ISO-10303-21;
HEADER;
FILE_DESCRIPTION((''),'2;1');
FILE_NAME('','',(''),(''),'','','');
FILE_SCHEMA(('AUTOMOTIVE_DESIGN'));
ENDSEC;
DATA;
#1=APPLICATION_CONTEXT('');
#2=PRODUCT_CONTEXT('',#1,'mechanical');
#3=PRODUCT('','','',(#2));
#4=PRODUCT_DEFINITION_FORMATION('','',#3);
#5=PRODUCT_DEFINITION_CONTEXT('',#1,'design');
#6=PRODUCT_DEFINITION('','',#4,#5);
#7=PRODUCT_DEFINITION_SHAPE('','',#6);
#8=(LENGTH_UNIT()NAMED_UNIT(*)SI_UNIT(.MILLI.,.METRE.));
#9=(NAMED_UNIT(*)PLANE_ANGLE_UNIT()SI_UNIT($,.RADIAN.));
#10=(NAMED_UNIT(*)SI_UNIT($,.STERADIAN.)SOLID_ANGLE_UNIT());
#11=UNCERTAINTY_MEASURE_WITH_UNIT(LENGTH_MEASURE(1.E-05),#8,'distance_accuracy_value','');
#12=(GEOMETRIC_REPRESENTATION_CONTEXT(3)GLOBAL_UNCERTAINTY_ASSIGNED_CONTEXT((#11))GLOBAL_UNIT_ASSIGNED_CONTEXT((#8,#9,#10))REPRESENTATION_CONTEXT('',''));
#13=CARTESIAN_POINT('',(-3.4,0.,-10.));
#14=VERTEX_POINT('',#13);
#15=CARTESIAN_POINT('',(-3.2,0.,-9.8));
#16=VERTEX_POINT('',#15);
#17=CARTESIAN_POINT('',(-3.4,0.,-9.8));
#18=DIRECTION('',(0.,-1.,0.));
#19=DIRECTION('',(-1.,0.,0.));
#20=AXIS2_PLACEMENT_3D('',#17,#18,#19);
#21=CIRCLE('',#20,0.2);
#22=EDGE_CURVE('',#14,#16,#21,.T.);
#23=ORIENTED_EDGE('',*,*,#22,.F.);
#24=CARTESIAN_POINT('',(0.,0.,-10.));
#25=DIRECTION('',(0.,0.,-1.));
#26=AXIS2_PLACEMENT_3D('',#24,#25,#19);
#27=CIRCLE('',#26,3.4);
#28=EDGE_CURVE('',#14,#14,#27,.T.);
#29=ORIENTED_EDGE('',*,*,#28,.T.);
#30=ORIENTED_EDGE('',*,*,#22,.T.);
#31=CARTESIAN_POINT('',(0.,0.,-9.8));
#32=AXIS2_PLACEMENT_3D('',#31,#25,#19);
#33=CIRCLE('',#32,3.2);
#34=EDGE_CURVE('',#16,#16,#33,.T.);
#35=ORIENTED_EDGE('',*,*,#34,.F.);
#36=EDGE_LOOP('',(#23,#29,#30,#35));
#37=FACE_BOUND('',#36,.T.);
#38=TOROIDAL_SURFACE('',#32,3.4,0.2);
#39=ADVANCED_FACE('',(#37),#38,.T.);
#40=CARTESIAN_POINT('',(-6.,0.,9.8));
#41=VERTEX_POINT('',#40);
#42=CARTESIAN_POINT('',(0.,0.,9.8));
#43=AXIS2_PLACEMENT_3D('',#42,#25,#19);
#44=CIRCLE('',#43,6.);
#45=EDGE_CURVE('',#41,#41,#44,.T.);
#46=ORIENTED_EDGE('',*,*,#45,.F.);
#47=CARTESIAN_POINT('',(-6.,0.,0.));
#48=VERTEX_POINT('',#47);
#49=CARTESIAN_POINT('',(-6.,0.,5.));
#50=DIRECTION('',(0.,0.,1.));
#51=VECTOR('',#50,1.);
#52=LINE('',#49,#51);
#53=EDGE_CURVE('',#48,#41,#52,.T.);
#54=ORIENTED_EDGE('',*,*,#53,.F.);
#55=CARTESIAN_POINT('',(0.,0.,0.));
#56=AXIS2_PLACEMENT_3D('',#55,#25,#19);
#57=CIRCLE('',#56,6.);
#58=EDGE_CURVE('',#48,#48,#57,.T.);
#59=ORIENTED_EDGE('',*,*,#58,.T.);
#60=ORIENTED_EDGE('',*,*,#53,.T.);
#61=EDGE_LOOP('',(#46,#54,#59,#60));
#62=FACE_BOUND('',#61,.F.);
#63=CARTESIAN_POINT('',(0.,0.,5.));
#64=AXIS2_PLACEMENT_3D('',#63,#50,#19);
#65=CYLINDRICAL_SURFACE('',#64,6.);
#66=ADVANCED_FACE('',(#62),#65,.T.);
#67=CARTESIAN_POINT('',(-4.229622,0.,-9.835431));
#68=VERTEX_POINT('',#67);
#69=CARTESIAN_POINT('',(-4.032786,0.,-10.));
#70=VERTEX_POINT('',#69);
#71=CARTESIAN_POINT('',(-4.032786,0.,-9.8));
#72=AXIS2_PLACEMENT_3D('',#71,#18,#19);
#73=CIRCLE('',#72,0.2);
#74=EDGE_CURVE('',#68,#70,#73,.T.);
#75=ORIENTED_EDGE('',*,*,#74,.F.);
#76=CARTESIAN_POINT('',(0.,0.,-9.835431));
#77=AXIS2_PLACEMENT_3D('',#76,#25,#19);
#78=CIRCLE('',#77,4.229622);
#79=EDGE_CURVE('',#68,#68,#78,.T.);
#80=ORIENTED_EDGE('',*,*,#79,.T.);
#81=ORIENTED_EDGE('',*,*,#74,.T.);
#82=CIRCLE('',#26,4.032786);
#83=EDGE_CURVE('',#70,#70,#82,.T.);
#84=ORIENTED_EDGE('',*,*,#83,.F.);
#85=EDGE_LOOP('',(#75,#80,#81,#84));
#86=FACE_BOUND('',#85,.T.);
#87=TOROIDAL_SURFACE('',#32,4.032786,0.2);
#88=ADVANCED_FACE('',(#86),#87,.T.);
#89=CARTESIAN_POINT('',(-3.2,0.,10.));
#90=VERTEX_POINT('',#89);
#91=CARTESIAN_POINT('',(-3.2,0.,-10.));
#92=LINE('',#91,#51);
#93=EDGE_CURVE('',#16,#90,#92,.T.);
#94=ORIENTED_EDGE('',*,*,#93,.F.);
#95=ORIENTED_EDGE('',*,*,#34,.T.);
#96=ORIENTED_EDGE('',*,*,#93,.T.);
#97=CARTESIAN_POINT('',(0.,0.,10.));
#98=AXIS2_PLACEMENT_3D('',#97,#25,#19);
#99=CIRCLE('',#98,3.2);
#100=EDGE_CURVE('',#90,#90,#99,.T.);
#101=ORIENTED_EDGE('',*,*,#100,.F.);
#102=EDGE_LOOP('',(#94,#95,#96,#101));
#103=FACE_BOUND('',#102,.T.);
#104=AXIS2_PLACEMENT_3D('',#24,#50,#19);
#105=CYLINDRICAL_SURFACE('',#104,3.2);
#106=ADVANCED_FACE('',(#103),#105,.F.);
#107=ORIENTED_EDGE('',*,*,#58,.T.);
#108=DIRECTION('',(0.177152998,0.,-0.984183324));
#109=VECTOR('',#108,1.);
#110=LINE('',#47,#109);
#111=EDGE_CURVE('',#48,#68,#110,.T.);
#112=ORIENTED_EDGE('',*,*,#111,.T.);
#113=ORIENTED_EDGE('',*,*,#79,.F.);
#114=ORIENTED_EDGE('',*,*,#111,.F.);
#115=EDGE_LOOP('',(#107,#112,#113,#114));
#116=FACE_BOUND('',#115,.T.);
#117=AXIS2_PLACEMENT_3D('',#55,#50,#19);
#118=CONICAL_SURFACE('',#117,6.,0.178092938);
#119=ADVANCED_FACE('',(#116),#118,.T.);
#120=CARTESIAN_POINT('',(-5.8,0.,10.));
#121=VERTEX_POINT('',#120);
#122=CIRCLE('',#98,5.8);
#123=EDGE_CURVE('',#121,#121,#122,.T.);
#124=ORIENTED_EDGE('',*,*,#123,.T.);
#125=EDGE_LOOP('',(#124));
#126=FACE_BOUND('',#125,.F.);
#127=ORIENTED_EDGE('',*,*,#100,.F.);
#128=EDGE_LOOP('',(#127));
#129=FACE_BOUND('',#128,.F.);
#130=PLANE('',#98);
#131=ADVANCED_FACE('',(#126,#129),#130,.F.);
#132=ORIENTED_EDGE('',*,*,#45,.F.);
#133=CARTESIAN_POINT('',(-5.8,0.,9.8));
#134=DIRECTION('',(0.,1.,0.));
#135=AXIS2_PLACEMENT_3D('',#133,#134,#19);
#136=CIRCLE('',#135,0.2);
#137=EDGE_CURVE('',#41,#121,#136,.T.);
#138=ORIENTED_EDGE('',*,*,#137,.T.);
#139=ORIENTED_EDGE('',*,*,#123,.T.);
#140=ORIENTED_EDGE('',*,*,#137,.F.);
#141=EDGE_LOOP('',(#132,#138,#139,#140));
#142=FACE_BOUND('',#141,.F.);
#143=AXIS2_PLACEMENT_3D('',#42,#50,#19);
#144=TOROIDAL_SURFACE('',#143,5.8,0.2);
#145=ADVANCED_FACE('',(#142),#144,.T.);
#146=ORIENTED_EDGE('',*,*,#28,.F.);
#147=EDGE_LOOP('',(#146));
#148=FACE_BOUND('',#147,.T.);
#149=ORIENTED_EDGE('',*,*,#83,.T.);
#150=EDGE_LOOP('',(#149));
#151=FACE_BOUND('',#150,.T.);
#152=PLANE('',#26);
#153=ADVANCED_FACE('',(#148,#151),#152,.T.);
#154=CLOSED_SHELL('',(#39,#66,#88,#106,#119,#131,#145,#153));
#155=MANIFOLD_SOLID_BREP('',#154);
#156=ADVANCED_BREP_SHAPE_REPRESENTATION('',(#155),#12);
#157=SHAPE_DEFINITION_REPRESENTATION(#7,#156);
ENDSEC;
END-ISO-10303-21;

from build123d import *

# Parameters (mm, degrees)
F0_W = 2.8
F0_H = 10
F2_R = 0.2


with BuildPart() as f1:
    # F0 (on Front) → F1 (revolve)
    with BuildSketch(Plane.XZ):
        with Locations((-4.6, 5)):
            Rectangle(F0_W, F0_H)
        Polygon((-4.2, -10), (-3.2, -10), (-3.2, 0), (-6, 0), align=None)
    revolve(axis=Axis((0, 0, -5), (0, 0, -1)))

    # F2
    f2_edges = [f1.edges().sort_by_distance(p)[0] for p in [
        (4.2, 0, -10),
        (6, 0, 10),
        (3.2, 0, -10),
    ]]
    fillet(f2_edges, radius=F2_R)


solid = f1.part
